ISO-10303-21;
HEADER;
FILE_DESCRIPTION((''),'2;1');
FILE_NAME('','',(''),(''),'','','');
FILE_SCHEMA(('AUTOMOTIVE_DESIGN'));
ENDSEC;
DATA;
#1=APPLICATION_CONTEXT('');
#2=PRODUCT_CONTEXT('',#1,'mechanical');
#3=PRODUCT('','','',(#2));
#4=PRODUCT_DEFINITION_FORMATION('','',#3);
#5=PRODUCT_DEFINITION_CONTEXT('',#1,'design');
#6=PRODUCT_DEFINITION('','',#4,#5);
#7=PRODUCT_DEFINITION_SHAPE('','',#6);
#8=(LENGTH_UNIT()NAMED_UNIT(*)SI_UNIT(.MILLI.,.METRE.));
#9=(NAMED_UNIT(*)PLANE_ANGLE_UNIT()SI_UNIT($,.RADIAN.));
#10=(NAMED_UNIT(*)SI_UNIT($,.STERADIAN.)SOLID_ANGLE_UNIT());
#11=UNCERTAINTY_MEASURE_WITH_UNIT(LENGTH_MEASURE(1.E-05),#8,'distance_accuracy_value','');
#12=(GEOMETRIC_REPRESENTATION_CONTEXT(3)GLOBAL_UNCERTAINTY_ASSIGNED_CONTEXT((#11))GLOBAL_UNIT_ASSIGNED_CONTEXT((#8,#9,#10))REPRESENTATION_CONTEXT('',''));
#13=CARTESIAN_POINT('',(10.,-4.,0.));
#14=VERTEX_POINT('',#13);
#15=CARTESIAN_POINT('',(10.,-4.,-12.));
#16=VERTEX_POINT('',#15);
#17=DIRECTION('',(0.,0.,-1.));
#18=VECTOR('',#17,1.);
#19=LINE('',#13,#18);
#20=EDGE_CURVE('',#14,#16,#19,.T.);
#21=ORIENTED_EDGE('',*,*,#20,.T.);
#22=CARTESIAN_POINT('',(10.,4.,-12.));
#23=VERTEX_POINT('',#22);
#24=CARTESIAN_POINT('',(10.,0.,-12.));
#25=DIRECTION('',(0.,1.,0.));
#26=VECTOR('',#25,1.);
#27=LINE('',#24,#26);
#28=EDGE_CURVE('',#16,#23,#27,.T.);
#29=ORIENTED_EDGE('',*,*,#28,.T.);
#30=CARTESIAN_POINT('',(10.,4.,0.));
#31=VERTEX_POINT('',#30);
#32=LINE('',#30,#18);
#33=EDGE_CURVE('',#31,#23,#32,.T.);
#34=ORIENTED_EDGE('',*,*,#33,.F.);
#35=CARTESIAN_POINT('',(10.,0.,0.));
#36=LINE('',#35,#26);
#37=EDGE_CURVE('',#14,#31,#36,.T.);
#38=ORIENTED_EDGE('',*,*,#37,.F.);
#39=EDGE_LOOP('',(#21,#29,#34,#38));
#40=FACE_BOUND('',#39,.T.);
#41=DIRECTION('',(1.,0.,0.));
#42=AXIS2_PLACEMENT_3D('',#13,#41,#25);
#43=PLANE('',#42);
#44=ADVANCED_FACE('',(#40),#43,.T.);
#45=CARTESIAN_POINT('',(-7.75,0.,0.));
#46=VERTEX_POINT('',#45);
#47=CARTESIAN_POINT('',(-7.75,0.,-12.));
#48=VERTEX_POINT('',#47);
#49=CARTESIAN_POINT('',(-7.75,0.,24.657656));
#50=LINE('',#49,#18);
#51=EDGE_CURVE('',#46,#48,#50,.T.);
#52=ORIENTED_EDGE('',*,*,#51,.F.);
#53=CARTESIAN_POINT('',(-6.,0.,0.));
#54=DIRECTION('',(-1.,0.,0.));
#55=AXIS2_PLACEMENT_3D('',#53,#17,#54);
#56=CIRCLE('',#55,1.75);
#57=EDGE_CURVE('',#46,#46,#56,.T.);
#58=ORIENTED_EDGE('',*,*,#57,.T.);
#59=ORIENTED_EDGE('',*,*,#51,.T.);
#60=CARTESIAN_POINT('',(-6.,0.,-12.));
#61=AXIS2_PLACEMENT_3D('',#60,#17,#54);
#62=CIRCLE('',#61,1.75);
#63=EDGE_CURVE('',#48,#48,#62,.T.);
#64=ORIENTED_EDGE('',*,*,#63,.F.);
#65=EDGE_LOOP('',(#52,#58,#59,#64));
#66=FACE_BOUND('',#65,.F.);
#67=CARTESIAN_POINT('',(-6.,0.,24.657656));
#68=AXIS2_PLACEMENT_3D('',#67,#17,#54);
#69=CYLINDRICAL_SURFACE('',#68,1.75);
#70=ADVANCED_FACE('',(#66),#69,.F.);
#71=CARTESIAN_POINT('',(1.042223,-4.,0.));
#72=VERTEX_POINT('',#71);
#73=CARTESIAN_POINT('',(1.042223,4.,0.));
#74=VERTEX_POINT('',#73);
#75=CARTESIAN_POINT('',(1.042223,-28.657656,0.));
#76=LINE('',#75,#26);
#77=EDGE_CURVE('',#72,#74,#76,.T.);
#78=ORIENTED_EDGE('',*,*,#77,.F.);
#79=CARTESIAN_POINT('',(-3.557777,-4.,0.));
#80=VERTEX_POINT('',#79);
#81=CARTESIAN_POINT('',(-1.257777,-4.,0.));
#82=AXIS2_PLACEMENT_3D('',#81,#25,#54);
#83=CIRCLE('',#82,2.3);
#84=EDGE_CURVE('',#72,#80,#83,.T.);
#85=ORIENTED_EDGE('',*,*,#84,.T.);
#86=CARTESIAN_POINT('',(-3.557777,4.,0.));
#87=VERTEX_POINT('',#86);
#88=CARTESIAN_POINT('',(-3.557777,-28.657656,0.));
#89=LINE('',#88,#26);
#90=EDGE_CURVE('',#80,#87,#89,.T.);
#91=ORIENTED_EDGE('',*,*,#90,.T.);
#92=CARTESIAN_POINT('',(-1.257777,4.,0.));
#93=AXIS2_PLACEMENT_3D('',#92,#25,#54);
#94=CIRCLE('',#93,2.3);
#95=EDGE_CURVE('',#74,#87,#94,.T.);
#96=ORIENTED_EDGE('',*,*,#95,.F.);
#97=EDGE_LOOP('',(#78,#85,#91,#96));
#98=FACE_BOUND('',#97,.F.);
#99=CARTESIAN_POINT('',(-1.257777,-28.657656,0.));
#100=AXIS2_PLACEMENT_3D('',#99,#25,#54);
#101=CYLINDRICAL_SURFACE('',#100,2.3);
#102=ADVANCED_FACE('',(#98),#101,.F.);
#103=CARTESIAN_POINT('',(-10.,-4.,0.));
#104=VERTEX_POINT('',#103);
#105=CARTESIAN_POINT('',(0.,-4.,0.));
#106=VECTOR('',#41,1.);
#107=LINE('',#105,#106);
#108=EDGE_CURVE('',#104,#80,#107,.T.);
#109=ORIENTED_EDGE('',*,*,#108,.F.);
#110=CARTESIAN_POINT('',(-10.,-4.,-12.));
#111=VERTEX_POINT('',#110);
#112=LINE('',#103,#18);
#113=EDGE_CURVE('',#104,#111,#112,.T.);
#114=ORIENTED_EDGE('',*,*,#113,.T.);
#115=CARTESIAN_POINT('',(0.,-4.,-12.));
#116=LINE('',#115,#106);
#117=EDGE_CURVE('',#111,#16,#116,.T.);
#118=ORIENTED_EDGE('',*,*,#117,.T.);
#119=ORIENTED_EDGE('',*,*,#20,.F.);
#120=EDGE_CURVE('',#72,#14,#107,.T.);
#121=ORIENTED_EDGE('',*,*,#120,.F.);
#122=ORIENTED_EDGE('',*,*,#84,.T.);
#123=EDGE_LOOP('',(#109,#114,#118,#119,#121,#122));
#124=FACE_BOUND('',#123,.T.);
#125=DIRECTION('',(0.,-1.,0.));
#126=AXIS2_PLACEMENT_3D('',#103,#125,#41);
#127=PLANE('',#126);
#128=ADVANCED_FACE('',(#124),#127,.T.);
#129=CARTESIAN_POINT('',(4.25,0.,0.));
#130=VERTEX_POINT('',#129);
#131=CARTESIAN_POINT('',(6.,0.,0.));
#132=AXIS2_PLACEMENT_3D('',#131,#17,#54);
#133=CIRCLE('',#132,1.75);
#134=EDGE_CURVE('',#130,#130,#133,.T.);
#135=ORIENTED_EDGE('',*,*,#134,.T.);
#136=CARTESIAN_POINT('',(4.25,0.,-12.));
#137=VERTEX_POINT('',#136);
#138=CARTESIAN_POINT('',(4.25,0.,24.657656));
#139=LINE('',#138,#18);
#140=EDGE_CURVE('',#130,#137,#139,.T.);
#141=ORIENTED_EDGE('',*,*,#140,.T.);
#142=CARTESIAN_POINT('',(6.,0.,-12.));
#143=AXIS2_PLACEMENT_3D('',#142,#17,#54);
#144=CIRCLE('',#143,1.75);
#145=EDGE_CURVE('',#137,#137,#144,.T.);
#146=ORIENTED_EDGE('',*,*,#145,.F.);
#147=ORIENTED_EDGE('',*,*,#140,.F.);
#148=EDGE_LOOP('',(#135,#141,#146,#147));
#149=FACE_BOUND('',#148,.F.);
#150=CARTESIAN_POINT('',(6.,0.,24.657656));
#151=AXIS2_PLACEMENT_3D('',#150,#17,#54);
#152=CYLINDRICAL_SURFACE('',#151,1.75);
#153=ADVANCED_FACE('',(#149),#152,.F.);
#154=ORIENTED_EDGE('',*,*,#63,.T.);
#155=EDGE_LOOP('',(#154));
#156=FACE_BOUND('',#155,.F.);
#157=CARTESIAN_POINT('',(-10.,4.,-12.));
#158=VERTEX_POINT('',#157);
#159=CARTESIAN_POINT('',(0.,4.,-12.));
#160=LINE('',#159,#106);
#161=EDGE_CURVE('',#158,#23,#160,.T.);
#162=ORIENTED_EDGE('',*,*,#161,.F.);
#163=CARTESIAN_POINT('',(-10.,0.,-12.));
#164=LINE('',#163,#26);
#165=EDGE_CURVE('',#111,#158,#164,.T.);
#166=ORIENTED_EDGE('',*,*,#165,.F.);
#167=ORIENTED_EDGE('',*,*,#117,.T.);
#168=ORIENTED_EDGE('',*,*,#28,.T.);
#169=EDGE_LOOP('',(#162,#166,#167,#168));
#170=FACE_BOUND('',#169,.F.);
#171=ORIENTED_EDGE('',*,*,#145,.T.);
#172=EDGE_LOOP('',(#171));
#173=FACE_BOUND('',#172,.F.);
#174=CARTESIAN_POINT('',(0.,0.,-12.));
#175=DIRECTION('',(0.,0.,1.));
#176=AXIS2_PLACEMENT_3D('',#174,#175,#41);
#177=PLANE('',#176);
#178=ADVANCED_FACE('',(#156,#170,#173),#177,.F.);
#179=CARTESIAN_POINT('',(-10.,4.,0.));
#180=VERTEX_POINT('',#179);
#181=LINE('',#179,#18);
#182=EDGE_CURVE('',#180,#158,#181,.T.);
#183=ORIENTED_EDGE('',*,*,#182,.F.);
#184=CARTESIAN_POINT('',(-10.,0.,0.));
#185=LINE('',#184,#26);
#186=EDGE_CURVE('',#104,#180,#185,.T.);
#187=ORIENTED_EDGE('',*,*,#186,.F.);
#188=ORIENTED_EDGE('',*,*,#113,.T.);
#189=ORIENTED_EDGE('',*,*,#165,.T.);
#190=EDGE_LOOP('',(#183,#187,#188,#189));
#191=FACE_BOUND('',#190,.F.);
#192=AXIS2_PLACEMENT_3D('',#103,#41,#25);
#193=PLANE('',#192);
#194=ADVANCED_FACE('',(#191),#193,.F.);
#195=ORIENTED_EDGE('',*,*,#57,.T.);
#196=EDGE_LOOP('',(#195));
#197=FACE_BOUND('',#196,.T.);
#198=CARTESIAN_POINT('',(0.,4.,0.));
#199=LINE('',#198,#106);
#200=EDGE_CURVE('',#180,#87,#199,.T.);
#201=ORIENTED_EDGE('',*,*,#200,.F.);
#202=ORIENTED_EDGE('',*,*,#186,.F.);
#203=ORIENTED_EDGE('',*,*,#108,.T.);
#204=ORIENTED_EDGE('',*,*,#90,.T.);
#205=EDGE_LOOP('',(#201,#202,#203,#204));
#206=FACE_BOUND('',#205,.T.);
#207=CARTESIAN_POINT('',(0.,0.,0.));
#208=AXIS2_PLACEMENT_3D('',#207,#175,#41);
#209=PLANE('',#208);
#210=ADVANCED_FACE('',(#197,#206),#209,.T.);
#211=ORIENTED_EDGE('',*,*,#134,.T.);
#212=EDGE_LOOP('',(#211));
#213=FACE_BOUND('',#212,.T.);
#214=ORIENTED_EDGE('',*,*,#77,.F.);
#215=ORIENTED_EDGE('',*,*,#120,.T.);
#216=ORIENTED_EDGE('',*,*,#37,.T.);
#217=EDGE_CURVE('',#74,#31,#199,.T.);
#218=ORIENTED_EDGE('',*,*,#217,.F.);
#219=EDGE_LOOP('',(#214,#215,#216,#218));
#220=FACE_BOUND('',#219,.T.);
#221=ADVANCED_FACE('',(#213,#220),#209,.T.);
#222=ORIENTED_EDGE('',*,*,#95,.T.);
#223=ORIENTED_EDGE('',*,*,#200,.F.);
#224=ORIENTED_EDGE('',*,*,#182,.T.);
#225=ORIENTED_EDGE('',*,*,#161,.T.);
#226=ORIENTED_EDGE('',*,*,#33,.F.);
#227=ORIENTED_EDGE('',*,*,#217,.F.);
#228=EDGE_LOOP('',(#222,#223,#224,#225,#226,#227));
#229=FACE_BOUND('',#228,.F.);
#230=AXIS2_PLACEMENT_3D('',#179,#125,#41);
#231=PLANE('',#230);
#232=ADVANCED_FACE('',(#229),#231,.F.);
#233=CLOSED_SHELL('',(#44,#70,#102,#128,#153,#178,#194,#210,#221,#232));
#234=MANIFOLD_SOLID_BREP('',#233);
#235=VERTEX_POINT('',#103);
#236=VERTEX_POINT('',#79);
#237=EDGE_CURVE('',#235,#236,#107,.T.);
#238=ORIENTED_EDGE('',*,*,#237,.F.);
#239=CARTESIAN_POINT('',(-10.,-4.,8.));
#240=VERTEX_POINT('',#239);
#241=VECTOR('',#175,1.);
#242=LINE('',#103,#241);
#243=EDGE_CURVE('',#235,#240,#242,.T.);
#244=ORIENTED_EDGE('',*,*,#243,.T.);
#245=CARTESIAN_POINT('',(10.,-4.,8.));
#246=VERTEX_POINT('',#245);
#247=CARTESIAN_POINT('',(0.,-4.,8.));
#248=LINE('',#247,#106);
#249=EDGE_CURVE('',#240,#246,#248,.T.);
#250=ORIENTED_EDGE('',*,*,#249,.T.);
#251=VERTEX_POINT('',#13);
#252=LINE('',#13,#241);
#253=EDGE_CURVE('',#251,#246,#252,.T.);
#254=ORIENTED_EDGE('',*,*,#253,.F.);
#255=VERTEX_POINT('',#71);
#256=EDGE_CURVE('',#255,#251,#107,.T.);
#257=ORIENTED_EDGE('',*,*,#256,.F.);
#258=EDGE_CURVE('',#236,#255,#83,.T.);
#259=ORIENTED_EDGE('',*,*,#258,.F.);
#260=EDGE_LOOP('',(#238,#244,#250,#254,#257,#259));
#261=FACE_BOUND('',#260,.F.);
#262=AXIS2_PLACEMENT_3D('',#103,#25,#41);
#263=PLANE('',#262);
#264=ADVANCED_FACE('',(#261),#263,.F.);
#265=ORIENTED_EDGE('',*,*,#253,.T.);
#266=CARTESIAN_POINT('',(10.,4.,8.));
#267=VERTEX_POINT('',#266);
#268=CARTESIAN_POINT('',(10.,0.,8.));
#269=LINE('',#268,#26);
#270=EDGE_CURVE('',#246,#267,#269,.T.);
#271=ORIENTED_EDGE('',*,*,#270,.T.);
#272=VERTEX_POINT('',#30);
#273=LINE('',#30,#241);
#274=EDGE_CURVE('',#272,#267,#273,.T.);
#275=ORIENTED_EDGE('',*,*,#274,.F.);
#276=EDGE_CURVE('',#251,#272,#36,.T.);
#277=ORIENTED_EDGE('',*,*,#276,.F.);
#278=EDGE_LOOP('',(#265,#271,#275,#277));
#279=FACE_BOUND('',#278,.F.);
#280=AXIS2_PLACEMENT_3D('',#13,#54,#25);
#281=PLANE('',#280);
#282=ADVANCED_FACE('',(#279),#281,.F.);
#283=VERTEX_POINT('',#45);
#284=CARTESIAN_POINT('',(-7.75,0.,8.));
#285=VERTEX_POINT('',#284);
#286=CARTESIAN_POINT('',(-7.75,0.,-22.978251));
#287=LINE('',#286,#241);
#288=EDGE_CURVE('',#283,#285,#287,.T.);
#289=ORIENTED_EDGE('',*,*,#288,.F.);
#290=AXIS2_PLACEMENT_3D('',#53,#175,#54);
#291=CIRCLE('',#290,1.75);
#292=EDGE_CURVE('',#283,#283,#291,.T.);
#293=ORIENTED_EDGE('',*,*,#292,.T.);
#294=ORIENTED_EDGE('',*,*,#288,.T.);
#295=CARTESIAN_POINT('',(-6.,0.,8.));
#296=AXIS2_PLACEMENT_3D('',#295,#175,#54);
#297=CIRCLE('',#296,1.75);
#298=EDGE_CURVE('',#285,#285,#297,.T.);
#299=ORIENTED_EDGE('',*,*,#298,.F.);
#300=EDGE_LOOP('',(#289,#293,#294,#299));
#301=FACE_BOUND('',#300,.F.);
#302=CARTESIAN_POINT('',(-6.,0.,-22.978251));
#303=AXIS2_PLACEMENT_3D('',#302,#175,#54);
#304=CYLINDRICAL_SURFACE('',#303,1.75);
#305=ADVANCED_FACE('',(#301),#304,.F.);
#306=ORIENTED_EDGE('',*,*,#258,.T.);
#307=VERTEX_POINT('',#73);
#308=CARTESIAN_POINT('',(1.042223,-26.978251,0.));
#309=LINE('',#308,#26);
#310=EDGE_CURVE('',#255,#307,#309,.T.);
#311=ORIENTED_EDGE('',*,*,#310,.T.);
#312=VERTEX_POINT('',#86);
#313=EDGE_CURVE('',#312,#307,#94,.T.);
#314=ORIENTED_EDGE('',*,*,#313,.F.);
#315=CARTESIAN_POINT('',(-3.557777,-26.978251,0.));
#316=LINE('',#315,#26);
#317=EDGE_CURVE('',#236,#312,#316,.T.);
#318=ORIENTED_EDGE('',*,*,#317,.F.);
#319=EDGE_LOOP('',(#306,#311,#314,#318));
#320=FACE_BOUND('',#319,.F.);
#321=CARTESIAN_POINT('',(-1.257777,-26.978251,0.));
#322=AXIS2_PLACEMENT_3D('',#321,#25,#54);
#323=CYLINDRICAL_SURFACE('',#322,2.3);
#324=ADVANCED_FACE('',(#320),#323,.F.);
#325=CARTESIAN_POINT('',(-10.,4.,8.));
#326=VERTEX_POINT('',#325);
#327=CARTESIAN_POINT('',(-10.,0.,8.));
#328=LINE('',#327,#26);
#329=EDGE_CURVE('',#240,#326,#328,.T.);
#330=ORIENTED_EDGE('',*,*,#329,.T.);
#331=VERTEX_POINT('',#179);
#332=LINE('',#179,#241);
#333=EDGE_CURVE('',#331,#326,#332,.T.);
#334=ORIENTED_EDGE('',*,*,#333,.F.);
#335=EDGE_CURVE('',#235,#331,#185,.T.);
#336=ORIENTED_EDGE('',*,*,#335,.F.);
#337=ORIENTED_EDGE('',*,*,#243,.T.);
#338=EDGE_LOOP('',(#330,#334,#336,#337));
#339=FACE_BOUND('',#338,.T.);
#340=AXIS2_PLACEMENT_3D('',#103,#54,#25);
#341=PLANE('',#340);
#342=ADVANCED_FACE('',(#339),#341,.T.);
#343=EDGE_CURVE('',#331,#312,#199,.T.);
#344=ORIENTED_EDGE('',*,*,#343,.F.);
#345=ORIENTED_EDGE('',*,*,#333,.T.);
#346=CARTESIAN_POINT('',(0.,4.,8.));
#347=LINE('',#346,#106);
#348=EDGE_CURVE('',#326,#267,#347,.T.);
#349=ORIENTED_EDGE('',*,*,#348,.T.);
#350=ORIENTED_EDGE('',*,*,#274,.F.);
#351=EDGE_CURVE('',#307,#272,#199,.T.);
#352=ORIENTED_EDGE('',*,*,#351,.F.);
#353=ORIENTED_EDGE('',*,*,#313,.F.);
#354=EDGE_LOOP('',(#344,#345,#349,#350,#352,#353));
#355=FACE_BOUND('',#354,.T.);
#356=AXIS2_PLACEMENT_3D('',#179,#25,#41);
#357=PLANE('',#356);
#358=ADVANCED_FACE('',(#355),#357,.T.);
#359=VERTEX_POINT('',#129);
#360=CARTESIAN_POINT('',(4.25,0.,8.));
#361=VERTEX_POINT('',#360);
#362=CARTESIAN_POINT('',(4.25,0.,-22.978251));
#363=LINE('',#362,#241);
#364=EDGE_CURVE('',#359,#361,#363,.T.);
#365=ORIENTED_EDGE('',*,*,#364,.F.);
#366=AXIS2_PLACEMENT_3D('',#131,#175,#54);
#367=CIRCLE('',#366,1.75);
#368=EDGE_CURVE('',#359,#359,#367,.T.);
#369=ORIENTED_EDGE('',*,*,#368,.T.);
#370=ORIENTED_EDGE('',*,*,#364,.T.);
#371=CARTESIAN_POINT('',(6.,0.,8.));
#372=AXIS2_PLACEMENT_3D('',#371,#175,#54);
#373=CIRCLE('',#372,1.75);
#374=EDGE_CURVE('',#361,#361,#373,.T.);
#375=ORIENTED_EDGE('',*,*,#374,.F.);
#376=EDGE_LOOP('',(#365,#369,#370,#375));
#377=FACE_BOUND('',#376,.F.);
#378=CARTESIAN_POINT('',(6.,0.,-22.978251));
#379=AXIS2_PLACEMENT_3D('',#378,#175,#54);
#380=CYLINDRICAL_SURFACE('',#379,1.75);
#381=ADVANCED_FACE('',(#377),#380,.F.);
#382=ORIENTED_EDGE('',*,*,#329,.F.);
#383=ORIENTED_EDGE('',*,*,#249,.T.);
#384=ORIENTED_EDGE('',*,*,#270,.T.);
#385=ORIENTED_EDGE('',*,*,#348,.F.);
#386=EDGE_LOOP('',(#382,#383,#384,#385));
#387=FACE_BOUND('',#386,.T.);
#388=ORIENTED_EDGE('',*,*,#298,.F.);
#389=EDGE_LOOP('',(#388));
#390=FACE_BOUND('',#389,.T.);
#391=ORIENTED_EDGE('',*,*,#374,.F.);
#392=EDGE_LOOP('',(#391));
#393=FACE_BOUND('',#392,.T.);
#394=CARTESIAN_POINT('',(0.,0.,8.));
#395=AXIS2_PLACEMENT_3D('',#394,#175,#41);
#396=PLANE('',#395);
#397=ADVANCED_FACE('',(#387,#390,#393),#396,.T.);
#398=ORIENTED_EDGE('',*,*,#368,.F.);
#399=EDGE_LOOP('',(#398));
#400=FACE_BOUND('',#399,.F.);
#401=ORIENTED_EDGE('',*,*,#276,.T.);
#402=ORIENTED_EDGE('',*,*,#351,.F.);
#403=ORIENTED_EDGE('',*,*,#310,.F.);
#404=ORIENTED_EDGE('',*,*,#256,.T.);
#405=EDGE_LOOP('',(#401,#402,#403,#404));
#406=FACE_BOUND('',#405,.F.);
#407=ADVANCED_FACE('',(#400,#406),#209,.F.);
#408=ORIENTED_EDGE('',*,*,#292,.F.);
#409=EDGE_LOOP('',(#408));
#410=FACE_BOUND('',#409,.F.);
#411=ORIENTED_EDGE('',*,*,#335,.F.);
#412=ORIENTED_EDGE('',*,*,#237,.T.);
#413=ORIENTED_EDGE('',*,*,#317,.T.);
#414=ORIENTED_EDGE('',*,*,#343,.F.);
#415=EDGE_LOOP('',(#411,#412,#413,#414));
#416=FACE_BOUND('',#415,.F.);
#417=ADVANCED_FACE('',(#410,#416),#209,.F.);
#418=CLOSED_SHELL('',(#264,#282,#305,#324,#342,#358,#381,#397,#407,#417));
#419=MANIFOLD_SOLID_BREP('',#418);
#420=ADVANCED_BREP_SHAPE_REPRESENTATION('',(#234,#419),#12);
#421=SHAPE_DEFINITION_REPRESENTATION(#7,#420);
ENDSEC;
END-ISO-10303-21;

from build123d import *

# Parameters (mm, degrees)
F0_W     = 20
F0_H     = 8
F1_DEPTH = 12
F2_D     = 3.5
F3_DEPTH = 8
F4_D     = 3.5
F6_D     = 4.6
F6_2_D   = 4.6


with BuildPart() as f1:
    # F0 (on Top) → F1 (new body)
    with BuildSketch(Plane.XY):
        Rectangle(F0_W, F0_H)
    extrude(amount=-F1_DEPTH)

    # F2 (through all)
    with Locations(Plane.XY):
        with Locations((6, 0), (-6, 0)):
            Hole(F2_D / 2)

    # F6 (through all)
    with Locations(Plane.XZ.offset(4)):
        with Locations((-1.257777, 0)):
            Hole(F6_D / 2)


with BuildPart() as f3:
    # F0 (on Top) → F3 (new body)
    with BuildSketch(Plane.XY):
        Rectangle(F0_W, F0_H)
    extrude(amount=F3_DEPTH)

    # F4 (through all)
    with Locations(Plane(origin=(0, 0, 0), x_dir=(1, 0, 0), z_dir=(0, 0, -1))):
        with Locations((-6, 0), (6, 0)):
            Hole(F4_D / 2)

    # F6#2 (through all)
    with Locations(Plane.XZ.offset(4)):
        with Locations((-1.257777, 0)):
            Hole(F6_2_D / 2)


solid = Compound([f1.part, f3.part])
